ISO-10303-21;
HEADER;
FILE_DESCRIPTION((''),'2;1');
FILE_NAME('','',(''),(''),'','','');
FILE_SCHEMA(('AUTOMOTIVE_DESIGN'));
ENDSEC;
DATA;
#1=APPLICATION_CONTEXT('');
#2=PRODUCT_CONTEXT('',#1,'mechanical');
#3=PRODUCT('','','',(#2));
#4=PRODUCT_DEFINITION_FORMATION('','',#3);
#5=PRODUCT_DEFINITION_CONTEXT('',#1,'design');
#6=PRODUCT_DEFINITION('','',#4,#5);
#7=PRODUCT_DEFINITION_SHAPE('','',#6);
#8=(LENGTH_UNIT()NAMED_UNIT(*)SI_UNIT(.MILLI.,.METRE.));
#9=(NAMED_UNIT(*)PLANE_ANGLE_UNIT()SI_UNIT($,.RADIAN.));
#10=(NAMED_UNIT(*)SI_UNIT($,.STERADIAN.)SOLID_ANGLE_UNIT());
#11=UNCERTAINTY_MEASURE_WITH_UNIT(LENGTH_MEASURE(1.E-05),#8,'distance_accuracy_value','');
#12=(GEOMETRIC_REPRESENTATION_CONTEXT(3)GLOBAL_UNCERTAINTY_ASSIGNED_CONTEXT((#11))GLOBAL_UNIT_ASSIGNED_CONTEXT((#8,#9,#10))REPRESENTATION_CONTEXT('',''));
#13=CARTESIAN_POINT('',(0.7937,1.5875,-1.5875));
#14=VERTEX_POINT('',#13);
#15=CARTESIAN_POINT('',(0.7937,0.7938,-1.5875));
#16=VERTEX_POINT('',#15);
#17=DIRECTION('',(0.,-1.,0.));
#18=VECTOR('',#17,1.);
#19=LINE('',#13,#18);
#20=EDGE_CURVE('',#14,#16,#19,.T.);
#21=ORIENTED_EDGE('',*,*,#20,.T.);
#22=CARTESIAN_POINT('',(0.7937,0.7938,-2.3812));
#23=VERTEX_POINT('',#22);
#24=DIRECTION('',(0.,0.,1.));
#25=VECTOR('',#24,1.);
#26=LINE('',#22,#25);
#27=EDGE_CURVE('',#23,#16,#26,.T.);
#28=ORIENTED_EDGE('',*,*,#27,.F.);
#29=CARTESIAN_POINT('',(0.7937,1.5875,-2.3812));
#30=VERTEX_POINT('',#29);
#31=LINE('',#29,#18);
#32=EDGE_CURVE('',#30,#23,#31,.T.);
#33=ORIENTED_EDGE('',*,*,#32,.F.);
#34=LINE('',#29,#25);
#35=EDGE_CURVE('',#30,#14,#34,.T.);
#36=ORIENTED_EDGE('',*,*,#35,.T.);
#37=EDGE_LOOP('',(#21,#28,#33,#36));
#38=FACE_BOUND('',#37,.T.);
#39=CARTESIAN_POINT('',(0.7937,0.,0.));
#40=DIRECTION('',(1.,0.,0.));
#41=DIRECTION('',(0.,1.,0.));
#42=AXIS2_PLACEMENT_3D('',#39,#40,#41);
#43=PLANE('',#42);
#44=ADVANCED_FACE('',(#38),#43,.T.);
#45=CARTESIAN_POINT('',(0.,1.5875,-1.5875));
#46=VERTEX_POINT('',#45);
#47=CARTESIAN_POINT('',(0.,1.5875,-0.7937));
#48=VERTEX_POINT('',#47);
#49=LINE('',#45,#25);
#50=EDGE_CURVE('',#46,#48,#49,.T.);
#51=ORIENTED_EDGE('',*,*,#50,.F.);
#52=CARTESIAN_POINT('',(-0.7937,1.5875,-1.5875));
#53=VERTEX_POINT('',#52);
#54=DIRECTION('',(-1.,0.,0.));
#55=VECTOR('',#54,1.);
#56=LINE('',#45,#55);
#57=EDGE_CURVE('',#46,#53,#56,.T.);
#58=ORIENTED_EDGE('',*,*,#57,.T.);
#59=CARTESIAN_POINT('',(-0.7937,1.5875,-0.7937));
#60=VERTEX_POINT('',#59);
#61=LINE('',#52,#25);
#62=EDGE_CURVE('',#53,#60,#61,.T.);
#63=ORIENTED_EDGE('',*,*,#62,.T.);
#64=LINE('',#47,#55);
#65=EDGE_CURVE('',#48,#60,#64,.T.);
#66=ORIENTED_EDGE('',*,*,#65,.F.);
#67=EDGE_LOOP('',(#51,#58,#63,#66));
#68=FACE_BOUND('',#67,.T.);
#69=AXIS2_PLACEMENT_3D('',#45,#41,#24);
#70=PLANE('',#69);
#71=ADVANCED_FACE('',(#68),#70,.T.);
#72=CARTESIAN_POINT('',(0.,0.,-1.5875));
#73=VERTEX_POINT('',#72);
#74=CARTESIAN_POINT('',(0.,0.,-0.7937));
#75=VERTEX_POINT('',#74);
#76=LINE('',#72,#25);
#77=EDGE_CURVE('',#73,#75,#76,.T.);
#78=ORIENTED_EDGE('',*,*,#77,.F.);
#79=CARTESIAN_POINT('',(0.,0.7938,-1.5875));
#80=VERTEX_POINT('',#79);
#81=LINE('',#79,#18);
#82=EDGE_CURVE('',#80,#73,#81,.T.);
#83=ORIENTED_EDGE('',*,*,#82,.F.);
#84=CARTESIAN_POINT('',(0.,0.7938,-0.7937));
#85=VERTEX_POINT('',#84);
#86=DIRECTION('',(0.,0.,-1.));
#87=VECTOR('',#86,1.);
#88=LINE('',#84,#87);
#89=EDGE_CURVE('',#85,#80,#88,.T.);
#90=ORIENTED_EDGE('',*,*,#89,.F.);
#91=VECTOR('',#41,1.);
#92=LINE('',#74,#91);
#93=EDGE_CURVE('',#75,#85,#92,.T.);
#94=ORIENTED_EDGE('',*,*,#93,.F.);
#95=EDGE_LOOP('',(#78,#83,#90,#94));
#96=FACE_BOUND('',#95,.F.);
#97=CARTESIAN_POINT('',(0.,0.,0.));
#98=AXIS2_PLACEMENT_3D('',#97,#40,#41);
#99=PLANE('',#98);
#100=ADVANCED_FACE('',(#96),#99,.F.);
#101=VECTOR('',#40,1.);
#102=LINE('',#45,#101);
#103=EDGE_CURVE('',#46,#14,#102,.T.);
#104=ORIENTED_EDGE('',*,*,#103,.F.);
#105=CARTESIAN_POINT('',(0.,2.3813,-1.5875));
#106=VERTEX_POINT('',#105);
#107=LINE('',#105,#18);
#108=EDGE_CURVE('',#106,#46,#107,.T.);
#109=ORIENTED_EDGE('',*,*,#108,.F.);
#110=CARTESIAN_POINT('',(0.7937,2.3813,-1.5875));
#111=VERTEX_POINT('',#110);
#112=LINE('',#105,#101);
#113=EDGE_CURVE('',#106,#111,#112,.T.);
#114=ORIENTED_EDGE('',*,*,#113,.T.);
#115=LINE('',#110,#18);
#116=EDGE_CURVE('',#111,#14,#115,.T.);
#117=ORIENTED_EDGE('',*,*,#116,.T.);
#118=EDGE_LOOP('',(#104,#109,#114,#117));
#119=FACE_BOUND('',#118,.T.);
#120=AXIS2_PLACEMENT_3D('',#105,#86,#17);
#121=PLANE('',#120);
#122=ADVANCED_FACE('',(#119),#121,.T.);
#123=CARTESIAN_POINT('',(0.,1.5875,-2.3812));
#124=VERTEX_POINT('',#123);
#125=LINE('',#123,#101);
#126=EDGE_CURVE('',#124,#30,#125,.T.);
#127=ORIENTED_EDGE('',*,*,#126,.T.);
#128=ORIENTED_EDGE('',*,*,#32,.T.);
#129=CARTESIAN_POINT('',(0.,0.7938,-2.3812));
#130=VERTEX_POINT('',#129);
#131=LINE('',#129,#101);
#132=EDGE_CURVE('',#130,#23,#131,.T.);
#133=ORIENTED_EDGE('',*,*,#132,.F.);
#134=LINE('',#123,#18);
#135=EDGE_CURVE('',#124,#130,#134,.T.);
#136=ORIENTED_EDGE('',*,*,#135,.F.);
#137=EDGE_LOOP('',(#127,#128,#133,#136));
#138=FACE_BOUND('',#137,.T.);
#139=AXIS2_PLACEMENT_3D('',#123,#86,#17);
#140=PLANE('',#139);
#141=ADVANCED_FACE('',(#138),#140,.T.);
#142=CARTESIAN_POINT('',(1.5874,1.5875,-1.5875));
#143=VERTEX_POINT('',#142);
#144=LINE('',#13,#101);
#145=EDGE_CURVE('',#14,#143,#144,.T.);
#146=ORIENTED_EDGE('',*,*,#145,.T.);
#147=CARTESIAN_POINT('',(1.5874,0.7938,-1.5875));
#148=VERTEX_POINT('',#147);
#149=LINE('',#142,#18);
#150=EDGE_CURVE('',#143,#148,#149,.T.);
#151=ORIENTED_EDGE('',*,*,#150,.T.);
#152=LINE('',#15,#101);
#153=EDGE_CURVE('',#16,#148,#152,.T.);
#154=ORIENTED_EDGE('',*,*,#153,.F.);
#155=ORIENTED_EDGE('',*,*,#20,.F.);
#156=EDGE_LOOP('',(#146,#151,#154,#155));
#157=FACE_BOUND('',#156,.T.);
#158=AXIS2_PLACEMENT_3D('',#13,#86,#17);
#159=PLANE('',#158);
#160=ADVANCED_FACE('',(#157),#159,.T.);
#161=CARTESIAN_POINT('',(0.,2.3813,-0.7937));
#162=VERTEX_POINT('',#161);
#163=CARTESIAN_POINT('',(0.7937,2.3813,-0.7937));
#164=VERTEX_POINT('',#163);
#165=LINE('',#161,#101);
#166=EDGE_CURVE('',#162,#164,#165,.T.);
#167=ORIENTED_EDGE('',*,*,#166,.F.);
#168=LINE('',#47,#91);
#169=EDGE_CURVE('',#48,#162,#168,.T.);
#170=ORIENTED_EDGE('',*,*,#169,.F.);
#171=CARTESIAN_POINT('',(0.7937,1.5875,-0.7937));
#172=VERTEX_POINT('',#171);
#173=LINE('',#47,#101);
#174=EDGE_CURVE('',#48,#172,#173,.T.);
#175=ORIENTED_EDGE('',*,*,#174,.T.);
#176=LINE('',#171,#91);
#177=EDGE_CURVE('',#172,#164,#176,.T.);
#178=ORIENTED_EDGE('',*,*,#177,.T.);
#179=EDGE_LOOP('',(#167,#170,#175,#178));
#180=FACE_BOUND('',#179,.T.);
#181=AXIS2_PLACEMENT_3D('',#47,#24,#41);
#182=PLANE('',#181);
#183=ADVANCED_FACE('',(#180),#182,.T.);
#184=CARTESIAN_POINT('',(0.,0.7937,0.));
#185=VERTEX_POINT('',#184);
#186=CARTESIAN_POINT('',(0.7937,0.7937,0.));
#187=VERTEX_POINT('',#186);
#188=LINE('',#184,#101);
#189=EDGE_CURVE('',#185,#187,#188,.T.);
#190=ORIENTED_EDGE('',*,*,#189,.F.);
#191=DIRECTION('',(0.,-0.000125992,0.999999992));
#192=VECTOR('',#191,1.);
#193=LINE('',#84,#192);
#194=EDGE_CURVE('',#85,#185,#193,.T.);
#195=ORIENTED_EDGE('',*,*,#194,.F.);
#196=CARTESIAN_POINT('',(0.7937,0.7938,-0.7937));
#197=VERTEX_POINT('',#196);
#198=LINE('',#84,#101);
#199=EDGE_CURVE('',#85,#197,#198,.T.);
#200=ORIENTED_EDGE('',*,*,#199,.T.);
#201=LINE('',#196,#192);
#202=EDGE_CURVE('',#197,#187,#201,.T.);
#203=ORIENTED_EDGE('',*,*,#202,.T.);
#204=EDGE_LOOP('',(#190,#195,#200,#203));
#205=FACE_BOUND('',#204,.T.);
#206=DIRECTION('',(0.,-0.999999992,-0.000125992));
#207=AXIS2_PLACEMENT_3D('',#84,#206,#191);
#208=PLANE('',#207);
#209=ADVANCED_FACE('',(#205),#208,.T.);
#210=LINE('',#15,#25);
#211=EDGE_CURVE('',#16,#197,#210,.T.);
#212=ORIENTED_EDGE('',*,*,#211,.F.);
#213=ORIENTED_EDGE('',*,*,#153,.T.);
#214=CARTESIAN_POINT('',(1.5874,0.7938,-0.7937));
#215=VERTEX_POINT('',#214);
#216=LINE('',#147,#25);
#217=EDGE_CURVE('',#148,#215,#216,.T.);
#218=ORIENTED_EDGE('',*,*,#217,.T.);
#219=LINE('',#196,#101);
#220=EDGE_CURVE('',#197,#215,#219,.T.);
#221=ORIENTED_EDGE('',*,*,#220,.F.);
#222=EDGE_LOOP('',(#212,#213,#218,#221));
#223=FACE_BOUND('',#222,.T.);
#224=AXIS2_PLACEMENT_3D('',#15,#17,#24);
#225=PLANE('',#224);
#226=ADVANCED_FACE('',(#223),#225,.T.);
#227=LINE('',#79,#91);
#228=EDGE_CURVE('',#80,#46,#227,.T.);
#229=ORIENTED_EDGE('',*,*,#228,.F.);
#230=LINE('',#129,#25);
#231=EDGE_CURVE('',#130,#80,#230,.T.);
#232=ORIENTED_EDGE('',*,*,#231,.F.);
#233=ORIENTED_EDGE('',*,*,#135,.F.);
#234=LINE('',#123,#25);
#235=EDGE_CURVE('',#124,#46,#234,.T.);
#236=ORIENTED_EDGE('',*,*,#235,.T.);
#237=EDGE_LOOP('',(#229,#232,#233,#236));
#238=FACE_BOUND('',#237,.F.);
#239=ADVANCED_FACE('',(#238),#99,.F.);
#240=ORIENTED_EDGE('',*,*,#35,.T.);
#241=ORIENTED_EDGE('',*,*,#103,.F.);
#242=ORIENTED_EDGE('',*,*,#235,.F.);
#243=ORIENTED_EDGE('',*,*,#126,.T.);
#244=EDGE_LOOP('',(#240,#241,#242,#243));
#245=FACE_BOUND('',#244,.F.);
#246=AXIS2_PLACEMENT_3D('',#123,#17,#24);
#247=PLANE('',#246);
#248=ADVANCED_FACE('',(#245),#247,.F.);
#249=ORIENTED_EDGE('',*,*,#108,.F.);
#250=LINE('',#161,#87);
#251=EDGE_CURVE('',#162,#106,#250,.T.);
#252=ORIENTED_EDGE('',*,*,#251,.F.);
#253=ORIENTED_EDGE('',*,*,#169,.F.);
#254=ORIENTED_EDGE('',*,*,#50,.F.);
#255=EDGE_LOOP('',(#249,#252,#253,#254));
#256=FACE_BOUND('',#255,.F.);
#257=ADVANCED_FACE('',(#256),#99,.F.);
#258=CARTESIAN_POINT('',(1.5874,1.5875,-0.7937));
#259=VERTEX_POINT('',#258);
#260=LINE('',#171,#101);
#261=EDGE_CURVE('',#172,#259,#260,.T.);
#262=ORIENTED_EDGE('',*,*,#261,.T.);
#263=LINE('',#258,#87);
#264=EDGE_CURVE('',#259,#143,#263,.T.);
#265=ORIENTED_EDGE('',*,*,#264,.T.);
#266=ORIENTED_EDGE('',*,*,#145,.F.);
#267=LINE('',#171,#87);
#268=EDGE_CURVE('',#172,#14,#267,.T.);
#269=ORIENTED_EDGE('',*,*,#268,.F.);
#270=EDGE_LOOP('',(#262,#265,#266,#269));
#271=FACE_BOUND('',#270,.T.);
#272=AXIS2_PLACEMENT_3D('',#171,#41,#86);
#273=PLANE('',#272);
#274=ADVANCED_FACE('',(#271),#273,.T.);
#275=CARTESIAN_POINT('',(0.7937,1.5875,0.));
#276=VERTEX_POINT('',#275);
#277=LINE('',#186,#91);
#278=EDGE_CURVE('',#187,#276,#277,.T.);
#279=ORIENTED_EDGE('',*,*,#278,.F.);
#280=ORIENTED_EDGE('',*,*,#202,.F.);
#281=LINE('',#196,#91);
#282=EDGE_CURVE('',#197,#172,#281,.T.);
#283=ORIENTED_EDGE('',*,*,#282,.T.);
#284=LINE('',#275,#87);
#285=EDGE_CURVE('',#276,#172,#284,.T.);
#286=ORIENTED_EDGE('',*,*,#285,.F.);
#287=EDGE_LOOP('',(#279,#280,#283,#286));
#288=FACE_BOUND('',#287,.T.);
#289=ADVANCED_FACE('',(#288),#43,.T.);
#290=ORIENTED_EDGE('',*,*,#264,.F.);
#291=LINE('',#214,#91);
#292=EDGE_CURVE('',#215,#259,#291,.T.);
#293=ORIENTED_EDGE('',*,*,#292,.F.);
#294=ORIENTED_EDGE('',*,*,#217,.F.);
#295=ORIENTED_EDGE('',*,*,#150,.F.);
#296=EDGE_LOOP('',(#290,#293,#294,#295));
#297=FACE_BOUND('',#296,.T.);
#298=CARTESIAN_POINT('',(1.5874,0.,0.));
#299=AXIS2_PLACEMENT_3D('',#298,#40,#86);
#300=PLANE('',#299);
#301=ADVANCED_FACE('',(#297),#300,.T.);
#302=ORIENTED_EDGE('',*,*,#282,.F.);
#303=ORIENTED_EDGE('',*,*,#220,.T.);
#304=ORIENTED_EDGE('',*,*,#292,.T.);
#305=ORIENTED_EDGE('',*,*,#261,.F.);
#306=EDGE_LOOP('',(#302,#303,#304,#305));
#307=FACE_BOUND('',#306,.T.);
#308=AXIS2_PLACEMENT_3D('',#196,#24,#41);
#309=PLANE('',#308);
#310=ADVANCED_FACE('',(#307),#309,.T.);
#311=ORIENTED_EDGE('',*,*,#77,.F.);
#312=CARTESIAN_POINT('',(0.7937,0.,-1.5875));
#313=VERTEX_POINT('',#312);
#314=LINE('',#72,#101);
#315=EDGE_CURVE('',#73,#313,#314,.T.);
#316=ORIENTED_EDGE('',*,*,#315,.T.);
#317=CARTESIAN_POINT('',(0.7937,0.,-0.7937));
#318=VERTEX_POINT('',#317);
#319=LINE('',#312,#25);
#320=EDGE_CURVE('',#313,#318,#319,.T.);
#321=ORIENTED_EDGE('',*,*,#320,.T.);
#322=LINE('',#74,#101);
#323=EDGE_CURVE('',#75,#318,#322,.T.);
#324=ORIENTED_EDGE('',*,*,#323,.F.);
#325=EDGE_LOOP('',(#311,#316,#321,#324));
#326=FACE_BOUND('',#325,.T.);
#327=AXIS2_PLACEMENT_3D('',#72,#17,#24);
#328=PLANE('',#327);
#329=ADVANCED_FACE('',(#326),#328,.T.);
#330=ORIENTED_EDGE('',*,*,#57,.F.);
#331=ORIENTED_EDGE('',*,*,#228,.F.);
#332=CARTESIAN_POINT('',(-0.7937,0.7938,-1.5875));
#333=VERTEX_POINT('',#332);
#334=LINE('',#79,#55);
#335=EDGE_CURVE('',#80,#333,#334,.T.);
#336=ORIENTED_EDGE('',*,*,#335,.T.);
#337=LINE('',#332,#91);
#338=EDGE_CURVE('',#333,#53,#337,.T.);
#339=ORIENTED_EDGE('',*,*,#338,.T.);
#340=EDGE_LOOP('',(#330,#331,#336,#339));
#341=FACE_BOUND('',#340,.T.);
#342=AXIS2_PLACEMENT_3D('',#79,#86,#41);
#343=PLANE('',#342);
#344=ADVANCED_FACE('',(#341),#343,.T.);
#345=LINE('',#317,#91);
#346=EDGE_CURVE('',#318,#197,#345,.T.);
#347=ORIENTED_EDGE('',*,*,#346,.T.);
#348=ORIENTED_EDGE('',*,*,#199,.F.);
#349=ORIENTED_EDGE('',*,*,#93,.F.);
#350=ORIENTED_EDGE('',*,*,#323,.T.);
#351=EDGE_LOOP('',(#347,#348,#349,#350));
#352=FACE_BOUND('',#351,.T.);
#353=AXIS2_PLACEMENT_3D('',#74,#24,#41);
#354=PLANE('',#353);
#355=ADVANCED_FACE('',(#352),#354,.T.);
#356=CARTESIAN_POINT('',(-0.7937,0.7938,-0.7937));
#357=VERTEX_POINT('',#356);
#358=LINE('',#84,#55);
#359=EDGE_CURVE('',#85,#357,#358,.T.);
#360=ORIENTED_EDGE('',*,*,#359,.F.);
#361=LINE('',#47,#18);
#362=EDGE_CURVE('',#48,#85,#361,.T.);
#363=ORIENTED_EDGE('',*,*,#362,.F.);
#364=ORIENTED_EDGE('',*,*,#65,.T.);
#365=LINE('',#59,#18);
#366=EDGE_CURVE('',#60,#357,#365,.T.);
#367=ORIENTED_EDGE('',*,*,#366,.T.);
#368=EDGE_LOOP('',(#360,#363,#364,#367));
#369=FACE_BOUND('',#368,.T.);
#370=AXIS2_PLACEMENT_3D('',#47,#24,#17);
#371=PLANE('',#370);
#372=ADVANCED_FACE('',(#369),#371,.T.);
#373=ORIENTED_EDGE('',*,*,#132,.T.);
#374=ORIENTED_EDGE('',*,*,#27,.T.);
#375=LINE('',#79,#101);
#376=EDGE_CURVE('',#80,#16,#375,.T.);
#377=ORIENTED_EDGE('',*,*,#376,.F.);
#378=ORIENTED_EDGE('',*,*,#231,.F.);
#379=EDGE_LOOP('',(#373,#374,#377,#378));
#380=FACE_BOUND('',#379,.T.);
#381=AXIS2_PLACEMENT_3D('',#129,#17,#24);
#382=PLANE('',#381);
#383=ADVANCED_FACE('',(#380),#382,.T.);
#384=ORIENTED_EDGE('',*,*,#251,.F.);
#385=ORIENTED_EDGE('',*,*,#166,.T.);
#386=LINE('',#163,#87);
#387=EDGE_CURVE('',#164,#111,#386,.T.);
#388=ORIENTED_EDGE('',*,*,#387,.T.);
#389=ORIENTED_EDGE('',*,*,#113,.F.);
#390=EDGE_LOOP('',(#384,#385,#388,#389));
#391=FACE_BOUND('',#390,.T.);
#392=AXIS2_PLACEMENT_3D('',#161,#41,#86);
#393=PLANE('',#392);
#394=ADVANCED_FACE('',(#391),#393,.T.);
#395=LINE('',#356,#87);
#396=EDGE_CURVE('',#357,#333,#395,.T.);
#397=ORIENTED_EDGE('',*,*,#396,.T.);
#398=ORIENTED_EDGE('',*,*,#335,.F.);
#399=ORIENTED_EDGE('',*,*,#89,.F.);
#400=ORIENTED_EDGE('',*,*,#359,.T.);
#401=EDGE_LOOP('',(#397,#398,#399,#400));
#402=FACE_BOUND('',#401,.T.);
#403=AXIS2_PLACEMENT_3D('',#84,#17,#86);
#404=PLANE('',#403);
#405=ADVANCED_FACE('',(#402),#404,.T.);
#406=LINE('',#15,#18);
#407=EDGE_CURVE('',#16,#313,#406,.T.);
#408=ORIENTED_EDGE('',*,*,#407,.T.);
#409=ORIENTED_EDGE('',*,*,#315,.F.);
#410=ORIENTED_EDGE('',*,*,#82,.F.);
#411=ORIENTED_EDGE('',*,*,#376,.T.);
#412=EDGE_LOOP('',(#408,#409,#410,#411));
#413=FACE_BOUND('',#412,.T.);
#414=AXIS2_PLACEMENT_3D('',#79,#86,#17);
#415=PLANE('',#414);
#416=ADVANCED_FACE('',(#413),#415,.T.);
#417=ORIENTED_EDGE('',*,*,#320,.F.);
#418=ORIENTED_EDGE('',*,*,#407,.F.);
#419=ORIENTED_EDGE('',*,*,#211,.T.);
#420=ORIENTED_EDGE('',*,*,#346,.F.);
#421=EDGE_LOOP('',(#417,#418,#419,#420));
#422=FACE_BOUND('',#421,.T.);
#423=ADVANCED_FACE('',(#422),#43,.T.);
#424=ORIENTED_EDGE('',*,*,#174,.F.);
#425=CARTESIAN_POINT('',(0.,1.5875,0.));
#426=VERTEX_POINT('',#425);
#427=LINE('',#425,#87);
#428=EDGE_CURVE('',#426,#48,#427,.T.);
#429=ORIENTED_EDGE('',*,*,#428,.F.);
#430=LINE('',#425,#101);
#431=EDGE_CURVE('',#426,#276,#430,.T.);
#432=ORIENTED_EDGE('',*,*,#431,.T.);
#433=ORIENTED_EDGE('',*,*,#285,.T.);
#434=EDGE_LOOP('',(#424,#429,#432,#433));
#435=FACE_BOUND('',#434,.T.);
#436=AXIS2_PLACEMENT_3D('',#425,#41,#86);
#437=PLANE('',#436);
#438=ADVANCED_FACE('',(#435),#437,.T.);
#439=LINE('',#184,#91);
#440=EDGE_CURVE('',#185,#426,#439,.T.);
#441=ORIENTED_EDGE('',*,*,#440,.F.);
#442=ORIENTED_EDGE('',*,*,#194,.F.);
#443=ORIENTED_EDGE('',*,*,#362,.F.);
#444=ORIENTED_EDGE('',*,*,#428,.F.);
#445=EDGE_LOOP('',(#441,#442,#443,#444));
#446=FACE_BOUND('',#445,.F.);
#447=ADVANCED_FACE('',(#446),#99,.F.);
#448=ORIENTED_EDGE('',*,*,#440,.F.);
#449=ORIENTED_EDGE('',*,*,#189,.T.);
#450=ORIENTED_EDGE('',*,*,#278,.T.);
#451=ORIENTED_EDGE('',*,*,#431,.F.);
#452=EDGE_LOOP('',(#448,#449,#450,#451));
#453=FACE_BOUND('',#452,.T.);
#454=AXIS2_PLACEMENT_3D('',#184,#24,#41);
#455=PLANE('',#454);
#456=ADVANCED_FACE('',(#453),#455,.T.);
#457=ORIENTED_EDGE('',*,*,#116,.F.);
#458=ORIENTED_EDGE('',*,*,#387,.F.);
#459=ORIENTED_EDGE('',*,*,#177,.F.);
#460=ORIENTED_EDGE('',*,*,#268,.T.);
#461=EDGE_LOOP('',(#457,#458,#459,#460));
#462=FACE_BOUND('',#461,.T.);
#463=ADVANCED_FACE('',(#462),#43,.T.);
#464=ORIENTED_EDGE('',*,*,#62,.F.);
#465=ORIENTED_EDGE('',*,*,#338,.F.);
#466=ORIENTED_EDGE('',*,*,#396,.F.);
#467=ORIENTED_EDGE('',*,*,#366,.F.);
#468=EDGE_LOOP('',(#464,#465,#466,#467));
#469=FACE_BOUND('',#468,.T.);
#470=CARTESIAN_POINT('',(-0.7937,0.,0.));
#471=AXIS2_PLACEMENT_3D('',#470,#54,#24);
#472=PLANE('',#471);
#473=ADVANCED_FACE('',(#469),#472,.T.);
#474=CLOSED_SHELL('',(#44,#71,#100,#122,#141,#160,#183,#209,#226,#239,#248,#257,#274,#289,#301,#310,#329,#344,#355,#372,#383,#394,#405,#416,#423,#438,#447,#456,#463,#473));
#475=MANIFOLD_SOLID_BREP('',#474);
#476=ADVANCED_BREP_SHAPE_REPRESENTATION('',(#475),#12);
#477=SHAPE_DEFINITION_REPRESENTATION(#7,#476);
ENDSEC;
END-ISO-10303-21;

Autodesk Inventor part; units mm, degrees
ref_plane "YZ Plane" through (0, 0, 0) normal (1, 0, 0) x (0, 1, 0)
ref_plane "XZ Plane" through (0, 0, 0) normal (0, 1, 0) x (-1, 0, 0)
sketch "Sketch4" plane through (0, 0, 0) normal (1, 0, 0) x (0, 1, 0)
  line L0 (0.7937, 0) -> (1.5875, 0)
  line L1 (1.5875, 0) -> (1.5875, -0.7937)
  line L2 (1.5875, -0.7937) -> (2.3813, -0.7937)
  line L3 (2.3813, -0.7937) -> (2.3813, -1.5875)
  line L4 (2.3813, -1.5875) -> (1.5875, -1.5875)
  line L5 (1.5875, -2.3812) -> (0.7938, -2.3812)
  line L6 (0.7938, -2.3812) -> (0.7938, -1.5875)
  line L7 (0.7938, -1.5875) -> (0, -1.5875)
  line L8 (0, -1.5875) -> (0, -0.7937)
  line L9 (0, -0.7937) -> (0.7938, -0.7937)
  line L10 (0.7938, -0.7937) -> (0.7937, 0)
  line L11 (1.5875, -2.3812) -> (1.5875, -1.5875)
  point P0 (0, 0)
  dimension "d16" = 0.7937
  dimension "d17" = 0.7937
  dimension "d18" = 0.7937
  dimension "d19" = 0.7937
  dimension "d20" = 0.7937
  dimension "d22" = 0.7937
extrude "Extrusion4" add sketch "Sketch4" along normal blind 0.7937
sketch "Sketch5" plane through (0.7937, 0, 0) normal (1, 0, 0) x (0, 0, -1)
  line L0 (1.5875, 0.7938) -> (0.7937, 0.7938)
  line L1 (0.7937, 0.7938) -> (0.7937, 1.5875)
  line L2 (0.7937, 1.5875) -> (1.5875, 1.5875)
  line L3 (1.5875, 1.5875) -> (1.5875, 0.7938)
  point P0 (0, 0)
extrude "Extrusion5" add sketch "Sketch5" along normal blind 0.7937
sketch "Sketch6" plane through (0, 0, 0) normal (-1, 0, 0) x (0, 0, 1)
  line L0 (-1.5875, 1.5875) -> (-0.7937, 1.5875)
  line L1 (-0.7937, 1.5875) -> (-0.7937, 0.7938)
  line L2 (-0.7937, 0.7938) -> (-1.5875, 0.7938)
  line L3 (-1.5875, 0.7938) -> (-1.5875, 1.5875)
  point P0 (0, 0)
extrude "Extrusion6" add sketch "Sketch6" along normal blind 0.7937
ref_plane "Work Plane3" through (0, 0.7938, -1.1906) normal (0, 0, 1) x (1, 0, 0)
sketch "Sketch7" plane through (0, 0.7938, -1.1906) normal (0, 0, 1) x (1, 0, 0)
  line L0 (0, 0) -> (0, -0.7937) projected
  line L1 (0.7937, 0.7937) -> (1.5875, 0.7937) projected
  line L2 (0, 0) -> (0.7937, 0.7937)
  point P0 (0.3969, 0.3969)
